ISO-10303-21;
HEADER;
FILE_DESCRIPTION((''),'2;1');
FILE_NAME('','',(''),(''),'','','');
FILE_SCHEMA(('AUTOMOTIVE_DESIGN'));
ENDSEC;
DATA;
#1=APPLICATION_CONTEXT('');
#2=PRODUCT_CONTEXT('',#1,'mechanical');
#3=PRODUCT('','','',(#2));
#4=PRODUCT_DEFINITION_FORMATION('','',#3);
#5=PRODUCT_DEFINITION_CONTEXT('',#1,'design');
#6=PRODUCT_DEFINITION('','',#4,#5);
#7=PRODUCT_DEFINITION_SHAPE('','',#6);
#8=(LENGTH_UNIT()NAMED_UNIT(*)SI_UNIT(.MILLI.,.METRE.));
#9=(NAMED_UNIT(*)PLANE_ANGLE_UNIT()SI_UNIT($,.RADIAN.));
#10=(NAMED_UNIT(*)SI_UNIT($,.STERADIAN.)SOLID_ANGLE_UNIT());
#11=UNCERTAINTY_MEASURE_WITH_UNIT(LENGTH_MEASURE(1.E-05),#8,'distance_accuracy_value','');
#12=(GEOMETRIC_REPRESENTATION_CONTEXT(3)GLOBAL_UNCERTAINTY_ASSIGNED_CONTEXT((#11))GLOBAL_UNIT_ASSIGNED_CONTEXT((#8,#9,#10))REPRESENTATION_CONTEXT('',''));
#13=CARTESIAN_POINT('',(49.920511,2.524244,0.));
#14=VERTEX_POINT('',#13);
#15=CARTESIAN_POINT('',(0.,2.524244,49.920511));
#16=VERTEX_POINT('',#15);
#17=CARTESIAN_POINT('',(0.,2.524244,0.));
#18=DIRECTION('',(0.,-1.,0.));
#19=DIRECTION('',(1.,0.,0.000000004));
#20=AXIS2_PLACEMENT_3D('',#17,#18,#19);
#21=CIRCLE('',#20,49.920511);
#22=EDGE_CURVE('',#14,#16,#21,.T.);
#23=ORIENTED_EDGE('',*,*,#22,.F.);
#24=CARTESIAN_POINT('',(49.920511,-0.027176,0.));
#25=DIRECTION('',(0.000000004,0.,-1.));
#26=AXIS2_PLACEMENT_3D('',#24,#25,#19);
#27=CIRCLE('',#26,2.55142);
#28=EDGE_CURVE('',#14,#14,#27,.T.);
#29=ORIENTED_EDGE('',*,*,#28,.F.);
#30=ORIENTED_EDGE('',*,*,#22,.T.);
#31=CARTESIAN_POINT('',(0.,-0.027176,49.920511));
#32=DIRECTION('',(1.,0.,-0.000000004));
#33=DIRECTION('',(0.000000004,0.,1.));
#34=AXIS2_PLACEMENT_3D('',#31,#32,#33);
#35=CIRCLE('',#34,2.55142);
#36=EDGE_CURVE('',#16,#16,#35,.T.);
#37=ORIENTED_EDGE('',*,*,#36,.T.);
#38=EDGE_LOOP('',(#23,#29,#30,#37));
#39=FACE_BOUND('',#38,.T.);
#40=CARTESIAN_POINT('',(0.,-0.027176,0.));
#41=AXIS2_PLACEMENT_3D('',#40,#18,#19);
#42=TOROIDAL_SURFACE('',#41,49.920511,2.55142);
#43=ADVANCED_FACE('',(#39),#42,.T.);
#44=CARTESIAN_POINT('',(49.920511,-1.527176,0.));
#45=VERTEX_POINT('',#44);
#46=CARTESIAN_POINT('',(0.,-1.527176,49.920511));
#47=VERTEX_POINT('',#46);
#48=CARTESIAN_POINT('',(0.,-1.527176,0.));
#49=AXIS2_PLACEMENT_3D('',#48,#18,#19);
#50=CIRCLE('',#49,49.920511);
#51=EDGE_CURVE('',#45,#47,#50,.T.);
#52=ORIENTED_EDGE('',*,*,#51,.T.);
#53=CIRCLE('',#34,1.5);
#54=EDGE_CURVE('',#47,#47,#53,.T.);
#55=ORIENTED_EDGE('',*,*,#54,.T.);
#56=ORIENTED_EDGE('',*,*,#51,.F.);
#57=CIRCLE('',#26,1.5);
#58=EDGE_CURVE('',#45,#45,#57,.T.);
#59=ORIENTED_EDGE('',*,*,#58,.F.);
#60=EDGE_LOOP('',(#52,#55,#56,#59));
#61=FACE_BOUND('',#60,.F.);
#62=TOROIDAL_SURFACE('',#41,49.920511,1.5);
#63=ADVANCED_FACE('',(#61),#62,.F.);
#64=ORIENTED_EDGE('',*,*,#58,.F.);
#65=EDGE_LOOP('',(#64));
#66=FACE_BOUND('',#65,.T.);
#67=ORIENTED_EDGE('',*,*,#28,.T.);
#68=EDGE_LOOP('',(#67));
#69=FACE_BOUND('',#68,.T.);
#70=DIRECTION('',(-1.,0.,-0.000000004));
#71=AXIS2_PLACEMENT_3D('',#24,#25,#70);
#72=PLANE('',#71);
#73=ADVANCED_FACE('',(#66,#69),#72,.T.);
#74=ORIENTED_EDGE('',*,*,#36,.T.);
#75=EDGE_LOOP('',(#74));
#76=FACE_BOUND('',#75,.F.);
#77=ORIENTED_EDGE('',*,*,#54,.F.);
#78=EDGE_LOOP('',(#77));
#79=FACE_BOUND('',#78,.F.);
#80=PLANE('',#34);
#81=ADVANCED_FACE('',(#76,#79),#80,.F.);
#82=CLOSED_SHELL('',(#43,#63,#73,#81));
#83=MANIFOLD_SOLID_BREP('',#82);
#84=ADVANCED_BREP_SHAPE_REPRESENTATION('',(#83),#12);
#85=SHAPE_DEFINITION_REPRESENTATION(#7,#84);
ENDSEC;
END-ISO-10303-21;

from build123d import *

# Parameters (mm, degrees)
F1_R = 2.55142
F3_R = 1.5


with BuildPart() as f2:
    # F2: sweep along a path in F0
    with BuildLine(Plane.XZ) as f2_path:
        ThreePointArc((50, 0), (35.355339, 35.355339), (0, 50))
    # F1 (on Right) → F2 (sweep)
    with BuildSketch(Plane.YZ):
        with Locations((-0.027176, 49.920511)):
            Circle(F1_R)
    sweep(path=f2_path.line)

    # F4: sweep along a path in F0
    with BuildLine(Plane.XZ) as f4_path:
        ThreePointArc((50, 0), (35.355339, 35.355339), (0, 50))
    # F3 (on face) → F4 (sweep, cut)
    with BuildSketch(Plane(origin=(0, 0, 0), x_dir=(0, -1, 0), z_dir=(-1, 0, 0))):
        with Locations((0.027176, 49.920511)):
            Circle(F3_R)
    sweep(path=f4_path.line, mode=Mode.SUBTRACT)


solid = f2.part
